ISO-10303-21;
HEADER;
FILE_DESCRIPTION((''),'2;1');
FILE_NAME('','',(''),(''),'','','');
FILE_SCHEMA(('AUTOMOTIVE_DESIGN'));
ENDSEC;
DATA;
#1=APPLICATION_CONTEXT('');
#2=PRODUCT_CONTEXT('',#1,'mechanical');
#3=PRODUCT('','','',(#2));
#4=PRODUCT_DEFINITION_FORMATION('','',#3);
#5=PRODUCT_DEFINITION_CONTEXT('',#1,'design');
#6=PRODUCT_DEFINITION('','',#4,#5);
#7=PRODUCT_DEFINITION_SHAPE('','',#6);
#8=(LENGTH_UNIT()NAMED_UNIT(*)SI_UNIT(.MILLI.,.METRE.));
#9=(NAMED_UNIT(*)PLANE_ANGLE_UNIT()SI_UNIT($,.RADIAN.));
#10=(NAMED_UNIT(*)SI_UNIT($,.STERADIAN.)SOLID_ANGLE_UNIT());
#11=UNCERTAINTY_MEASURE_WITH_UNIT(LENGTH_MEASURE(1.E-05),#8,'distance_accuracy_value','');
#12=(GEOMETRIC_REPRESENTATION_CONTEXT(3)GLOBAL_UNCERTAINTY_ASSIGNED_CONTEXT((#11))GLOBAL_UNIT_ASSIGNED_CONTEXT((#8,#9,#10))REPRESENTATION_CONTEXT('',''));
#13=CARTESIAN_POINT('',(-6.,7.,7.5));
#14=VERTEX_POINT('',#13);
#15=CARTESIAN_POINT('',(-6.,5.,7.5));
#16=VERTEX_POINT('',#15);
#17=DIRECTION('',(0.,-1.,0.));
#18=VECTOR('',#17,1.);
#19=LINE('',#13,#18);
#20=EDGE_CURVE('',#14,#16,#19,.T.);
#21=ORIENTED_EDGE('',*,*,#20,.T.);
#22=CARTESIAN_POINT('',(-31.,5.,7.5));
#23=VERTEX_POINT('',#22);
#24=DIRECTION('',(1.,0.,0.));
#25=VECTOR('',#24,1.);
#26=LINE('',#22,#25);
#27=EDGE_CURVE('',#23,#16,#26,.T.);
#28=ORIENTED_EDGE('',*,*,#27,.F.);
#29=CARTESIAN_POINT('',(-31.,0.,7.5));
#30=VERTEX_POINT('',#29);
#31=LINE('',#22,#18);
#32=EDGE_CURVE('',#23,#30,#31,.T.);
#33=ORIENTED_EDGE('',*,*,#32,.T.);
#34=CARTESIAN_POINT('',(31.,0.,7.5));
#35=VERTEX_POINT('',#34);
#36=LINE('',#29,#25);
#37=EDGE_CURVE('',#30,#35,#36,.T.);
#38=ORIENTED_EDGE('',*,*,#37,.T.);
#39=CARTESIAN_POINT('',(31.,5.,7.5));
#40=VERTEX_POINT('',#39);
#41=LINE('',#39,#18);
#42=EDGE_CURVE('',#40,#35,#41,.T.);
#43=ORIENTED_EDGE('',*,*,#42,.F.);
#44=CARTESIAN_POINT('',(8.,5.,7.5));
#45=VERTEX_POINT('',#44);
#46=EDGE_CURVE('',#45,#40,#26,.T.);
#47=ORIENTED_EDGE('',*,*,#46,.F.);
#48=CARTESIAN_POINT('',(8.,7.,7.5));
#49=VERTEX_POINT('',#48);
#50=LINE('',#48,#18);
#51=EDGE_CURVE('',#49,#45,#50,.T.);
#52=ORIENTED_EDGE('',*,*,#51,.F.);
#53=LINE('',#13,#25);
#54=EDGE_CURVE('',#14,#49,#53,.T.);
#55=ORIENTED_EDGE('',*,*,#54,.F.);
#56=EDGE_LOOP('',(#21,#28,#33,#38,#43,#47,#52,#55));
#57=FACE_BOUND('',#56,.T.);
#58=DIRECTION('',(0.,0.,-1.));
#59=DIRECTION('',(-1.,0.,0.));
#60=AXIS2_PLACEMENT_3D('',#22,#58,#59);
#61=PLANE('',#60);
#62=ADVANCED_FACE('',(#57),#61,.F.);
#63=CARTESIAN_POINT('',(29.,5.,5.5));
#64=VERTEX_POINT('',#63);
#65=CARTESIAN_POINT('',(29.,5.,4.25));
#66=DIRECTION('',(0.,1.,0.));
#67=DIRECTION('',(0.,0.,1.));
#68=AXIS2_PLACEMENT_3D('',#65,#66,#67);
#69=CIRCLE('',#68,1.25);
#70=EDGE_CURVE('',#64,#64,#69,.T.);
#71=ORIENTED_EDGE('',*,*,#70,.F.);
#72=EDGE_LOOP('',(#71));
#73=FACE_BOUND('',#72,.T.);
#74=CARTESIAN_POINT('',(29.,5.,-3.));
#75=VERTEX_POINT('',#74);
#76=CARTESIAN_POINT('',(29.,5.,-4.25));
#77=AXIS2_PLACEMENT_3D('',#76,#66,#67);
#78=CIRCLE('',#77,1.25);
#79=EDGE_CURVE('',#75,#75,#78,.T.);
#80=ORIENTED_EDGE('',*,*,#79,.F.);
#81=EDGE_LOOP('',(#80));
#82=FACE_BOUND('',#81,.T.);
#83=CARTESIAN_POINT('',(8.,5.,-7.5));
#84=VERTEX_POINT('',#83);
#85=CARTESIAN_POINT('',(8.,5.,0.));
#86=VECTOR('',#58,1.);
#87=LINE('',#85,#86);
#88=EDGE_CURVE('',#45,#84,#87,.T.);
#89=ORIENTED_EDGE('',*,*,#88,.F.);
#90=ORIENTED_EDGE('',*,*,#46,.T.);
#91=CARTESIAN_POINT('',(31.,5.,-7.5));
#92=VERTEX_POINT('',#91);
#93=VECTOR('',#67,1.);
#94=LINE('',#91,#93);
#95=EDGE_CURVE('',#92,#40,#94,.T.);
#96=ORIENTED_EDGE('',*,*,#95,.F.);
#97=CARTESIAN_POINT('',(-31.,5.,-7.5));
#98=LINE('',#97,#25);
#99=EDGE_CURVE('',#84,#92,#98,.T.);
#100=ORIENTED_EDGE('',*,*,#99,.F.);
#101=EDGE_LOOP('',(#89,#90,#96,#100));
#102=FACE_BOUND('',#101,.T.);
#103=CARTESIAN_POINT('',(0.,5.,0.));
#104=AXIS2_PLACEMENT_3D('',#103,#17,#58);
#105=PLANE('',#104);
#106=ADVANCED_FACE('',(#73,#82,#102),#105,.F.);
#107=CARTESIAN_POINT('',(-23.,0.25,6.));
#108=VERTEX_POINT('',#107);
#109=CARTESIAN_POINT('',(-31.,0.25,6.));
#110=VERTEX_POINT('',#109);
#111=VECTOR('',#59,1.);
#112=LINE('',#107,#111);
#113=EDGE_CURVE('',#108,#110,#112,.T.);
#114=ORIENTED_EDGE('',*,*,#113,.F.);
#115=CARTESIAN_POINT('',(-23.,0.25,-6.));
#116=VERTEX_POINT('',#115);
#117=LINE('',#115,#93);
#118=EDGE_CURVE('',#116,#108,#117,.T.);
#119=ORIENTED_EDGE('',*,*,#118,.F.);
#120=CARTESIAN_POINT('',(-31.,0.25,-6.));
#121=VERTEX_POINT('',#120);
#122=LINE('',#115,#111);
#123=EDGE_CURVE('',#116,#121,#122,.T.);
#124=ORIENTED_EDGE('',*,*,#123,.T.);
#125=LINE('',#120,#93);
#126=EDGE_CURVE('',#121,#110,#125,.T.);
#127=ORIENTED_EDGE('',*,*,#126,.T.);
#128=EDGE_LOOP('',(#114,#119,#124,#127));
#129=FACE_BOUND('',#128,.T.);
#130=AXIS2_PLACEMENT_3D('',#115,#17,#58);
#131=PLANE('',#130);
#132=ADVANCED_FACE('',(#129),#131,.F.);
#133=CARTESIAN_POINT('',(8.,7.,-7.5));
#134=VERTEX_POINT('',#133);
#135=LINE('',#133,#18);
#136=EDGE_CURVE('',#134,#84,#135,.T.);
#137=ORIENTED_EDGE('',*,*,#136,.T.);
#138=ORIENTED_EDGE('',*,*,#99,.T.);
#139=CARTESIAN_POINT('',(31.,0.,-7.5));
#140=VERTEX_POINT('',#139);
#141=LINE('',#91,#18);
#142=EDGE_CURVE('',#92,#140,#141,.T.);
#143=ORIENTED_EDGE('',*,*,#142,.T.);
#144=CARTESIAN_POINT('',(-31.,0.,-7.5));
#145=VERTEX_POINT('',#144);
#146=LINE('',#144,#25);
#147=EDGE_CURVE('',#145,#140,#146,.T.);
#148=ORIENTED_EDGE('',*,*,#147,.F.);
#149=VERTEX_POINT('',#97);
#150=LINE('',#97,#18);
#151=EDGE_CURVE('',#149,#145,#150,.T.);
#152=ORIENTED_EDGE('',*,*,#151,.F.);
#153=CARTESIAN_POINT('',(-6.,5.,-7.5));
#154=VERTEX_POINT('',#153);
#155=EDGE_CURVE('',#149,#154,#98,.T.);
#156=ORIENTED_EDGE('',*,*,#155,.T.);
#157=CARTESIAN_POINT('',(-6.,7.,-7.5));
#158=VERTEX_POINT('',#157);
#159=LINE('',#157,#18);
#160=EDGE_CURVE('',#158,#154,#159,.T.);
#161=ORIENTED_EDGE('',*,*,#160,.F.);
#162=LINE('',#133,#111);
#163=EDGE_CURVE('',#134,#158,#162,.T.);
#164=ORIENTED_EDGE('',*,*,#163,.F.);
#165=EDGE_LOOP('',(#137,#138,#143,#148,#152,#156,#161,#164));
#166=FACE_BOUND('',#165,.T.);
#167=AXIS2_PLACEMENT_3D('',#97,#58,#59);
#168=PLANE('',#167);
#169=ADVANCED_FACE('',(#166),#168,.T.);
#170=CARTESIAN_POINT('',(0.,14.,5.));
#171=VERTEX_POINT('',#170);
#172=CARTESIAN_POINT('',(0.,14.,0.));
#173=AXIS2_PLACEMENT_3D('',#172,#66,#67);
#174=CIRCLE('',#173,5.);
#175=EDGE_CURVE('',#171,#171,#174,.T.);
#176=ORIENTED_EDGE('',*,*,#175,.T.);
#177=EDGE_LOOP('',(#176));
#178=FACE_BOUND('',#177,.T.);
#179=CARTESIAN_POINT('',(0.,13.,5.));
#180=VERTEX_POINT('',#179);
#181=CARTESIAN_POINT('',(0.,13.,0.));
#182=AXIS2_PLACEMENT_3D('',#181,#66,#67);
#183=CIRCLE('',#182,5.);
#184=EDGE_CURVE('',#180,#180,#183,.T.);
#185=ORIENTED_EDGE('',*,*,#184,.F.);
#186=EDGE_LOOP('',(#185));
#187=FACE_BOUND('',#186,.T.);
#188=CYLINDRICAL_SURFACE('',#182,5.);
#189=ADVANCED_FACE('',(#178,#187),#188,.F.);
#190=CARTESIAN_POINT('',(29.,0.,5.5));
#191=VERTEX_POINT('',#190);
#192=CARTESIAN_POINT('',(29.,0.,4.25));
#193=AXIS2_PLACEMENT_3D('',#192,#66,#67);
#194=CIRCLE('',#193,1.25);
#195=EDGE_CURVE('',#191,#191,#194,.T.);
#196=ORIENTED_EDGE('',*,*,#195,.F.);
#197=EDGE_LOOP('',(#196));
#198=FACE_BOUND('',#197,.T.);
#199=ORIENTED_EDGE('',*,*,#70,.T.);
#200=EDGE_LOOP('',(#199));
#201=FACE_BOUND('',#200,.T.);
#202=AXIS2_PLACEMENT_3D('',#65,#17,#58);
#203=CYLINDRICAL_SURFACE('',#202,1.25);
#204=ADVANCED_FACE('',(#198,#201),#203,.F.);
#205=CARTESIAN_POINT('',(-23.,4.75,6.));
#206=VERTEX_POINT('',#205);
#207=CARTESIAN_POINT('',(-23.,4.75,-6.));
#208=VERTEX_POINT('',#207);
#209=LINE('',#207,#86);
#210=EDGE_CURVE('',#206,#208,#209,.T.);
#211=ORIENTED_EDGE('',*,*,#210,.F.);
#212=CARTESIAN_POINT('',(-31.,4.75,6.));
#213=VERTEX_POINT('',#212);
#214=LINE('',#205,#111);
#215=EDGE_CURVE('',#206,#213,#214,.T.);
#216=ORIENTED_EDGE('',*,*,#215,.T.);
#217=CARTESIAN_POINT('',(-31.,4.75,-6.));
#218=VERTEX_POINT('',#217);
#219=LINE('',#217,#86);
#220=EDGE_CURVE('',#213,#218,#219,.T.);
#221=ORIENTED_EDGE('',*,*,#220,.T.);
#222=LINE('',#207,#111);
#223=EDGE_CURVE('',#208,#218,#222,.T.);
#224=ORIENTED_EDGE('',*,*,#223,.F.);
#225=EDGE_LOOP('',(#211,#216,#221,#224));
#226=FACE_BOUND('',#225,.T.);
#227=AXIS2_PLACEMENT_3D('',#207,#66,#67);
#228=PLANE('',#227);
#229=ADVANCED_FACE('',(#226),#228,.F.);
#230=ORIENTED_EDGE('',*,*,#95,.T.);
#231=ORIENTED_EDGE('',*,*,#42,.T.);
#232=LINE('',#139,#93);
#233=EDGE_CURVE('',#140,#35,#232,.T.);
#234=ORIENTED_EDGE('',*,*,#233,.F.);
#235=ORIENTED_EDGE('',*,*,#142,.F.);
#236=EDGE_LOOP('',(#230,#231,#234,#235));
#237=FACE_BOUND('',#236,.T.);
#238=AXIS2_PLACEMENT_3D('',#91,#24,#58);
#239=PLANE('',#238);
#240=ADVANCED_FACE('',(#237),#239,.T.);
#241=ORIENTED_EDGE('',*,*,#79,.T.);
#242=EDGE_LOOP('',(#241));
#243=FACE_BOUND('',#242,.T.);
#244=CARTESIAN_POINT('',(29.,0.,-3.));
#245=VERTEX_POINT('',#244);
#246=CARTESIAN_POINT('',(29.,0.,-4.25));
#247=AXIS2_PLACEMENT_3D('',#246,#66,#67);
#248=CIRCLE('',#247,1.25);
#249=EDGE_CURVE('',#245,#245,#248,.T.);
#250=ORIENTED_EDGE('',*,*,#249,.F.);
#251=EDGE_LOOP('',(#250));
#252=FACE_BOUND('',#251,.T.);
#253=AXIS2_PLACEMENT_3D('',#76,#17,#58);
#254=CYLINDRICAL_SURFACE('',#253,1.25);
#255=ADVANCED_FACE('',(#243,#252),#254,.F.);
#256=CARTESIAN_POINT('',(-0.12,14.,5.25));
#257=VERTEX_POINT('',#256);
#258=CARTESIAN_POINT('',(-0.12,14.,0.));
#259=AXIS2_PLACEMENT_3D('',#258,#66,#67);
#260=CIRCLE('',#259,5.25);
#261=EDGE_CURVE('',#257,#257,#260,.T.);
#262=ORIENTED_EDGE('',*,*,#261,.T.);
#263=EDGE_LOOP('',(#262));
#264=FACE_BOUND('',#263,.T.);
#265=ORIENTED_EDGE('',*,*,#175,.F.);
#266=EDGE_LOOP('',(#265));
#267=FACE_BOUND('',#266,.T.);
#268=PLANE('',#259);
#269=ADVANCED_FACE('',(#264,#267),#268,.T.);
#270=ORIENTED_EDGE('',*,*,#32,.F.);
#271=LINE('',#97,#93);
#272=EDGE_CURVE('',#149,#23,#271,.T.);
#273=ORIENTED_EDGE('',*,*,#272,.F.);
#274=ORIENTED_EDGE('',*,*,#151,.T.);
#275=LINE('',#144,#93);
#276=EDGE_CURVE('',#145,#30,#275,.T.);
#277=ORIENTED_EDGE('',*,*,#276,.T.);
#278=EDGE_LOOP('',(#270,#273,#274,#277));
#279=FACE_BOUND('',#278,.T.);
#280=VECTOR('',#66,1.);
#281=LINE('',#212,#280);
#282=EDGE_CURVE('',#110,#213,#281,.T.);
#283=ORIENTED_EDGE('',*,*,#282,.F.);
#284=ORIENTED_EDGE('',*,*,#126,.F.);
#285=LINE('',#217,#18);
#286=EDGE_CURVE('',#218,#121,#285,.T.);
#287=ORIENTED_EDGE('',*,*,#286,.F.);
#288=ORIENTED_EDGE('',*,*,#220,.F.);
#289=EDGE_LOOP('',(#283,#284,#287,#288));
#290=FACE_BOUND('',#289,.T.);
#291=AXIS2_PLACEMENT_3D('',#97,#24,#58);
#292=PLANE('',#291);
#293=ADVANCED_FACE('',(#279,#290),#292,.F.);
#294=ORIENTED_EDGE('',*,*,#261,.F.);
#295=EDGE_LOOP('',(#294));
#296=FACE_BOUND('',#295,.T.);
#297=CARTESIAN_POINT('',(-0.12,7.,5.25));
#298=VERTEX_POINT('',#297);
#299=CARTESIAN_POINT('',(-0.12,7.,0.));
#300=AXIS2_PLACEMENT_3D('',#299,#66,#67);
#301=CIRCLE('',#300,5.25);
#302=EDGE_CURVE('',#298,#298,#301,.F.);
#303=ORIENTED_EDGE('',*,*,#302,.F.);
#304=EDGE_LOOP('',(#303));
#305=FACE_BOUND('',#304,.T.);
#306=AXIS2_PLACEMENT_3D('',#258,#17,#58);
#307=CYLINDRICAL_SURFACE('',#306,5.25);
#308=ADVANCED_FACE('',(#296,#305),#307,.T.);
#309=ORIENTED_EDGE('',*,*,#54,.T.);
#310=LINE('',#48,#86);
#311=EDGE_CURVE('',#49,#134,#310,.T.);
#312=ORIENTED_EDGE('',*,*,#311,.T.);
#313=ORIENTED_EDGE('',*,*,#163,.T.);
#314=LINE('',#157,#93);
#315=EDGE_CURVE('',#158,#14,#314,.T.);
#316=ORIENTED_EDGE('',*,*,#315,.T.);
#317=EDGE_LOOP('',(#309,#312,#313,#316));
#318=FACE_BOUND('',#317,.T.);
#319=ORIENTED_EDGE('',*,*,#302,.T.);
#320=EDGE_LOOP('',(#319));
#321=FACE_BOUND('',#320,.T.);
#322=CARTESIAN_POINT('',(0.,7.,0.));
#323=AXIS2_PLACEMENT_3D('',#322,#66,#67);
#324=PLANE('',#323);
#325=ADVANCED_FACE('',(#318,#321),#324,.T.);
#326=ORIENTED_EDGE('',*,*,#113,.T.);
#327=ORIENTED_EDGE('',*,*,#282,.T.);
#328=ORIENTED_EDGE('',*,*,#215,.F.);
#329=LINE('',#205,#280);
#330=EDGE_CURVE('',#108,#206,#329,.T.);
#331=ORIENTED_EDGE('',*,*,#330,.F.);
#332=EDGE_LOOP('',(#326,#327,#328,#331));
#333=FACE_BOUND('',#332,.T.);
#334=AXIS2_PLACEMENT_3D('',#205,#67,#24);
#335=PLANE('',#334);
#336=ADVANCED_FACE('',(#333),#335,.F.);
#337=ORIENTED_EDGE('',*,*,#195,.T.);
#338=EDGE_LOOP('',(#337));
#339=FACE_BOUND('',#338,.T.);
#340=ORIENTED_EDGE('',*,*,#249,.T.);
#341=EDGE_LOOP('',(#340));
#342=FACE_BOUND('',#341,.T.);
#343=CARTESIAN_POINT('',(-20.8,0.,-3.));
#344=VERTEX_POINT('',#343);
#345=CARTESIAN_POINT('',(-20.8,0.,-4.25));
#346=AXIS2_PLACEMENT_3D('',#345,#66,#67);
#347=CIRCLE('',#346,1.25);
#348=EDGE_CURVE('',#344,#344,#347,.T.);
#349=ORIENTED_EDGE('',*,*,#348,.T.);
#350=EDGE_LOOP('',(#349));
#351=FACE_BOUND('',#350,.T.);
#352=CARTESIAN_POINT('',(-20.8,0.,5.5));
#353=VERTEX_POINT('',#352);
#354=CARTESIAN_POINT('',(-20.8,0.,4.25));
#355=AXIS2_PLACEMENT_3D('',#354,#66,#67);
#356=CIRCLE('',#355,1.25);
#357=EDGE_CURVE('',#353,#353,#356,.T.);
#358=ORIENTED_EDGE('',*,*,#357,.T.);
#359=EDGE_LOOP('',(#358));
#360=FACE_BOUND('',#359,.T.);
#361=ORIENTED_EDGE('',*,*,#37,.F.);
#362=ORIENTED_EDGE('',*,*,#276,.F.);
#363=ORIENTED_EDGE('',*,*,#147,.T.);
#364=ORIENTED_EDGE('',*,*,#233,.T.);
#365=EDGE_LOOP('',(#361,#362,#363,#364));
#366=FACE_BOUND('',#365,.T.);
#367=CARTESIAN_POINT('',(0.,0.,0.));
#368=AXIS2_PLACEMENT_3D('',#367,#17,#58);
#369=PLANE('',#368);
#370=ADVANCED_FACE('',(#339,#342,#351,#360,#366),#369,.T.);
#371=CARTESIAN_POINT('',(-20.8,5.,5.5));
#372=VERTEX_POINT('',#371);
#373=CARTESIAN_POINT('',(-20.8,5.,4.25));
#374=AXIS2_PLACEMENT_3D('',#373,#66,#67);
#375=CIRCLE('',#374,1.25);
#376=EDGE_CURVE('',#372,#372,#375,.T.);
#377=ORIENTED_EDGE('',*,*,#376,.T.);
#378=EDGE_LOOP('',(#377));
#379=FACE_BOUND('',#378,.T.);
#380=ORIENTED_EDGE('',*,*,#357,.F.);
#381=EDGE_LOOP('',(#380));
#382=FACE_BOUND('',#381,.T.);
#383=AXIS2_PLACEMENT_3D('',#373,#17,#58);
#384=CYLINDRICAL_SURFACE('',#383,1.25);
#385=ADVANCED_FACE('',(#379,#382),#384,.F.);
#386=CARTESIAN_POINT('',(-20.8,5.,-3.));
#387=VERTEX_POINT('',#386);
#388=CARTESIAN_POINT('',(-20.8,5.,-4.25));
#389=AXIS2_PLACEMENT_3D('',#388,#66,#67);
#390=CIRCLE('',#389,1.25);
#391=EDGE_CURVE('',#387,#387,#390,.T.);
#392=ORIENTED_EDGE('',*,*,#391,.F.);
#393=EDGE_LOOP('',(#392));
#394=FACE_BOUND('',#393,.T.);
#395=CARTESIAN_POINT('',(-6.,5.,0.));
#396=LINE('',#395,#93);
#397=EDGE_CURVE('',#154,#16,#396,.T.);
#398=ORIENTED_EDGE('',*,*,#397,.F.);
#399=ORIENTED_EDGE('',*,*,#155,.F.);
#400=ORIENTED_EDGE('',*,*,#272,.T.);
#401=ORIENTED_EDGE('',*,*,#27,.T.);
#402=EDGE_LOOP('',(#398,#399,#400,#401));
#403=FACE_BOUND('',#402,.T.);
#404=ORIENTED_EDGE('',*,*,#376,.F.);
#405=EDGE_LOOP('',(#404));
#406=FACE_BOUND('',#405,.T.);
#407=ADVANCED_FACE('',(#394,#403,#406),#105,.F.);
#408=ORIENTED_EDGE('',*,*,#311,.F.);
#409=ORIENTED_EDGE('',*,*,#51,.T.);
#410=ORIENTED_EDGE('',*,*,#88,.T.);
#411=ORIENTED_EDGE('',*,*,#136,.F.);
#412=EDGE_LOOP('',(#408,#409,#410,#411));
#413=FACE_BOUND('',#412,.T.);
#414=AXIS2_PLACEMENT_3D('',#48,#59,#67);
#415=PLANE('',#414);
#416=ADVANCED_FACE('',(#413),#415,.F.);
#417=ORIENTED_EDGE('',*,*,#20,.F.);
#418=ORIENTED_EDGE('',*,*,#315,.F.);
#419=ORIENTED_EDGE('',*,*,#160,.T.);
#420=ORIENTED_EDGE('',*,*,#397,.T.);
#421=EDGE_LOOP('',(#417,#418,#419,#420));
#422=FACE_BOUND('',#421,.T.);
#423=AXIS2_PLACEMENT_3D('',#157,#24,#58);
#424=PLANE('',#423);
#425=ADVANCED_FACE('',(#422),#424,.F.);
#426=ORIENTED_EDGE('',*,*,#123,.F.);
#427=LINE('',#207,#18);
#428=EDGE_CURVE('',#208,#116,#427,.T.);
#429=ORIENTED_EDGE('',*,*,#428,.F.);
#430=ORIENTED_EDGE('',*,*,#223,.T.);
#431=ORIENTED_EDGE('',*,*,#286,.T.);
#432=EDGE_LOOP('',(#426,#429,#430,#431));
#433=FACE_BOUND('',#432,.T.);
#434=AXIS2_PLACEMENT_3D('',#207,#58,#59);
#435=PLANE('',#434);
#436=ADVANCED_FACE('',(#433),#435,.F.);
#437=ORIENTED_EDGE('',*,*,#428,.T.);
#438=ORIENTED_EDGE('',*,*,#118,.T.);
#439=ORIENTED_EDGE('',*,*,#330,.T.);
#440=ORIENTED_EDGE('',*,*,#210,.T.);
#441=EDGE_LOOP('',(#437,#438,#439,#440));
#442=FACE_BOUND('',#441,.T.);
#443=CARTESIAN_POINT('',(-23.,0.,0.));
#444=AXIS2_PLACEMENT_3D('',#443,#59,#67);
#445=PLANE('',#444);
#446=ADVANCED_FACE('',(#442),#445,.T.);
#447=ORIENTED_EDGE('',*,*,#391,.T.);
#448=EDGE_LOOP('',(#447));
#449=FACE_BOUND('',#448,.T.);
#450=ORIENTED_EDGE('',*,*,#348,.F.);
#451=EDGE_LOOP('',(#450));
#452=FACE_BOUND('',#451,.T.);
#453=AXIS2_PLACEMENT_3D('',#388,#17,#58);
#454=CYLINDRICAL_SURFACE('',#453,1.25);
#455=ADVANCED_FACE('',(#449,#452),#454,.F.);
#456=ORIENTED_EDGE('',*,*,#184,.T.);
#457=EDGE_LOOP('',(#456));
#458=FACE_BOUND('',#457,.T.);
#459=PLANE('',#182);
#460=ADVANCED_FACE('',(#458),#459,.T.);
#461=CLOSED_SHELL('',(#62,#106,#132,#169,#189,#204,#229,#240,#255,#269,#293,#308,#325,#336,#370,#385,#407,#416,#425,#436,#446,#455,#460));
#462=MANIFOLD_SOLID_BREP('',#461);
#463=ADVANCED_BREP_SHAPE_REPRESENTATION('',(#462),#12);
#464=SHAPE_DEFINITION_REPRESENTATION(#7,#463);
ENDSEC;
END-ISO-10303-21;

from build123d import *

# Parameters (mm, degrees)
SKETCH1_W           = 62
SKETCH1_H           = 15
SKETCH1_R           = 5.25
BOSS_EXTRUDE1_DEPTH = 5
SKETCH1_7_R         = 1.25
CUT_EXTRUDE1_DEPTH  = 5
SKETCH1_8_W         = 14
SKETCH1_8_H         = 15
BOSS_EXTRUDE2_DEPTH = 7
SKETCH1_9_R         = 5.25
BOSS_EXTRUDE3_DEPTH = 14
SKETCH2_R           = 5
CUT_EXTRUDE2_DEPTH  = 1
SKETCH3_W           = 12
SKETCH3_H           = 4.5
CUT_EXTRUDE4_DEPTH  = 8


with BuildPart() as part:
    # Sketch1 → Boss-Extrude1 (new body)
    with BuildSketch(Plane(origin=(0, 0, 0), x_dir=(1, 0, 0), z_dir=(0, 1, 0))):
        Rectangle(SKETCH1_W, SKETCH1_H)
        with Locations((-0.12, 0)):
            Circle(SKETCH1_R, mode=Mode.SUBTRACT)
    extrude(amount=BOSS_EXTRUDE1_DEPTH)

    # Sketch1<7> → Cut-Extrude1 (cut)
    with BuildSketch(Plane(origin=(0, 0, 0), x_dir=(1, 0, 0), z_dir=(0, 1, 0))):
        with Locations((29, 4.25)):
            Circle(SKETCH1_7_R)
        with Locations((29, -4.25)):
            Circle(SKETCH1_7_R)
        with Locations((-20.8, 4.25)):
            Circle(SKETCH1_7_R)
        with Locations((-20.8, -4.25)):
            Circle(SKETCH1_7_R)
    extrude(amount=CUT_EXTRUDE1_DEPTH, mode=Mode.SUBTRACT)

    # Sketch1<8> → Boss-Extrude2 (add)
    with BuildSketch(Plane(origin=(0, 0, 0), x_dir=(1, 0, 0), z_dir=(0, 1, 0))):
        with Locations((1, 0)):
            Rectangle(SKETCH1_8_W, SKETCH1_8_H)
    extrude(amount=BOSS_EXTRUDE2_DEPTH)

    # Sketch1<9> → Boss-Extrude3 (add)
    with BuildSketch(Plane(origin=(0, 0, 0), x_dir=(1, 0, 0), z_dir=(0, 1, 0))):
        with Locations((-0.12, 0)):
            Circle(SKETCH1_9_R)
    extrude(amount=BOSS_EXTRUDE3_DEPTH)

    # Sketch2 → Cut-Extrude2 (cut)
    with BuildSketch(Plane(origin=(0, 14, 0), x_dir=(1, 0, 0), z_dir=(0, 1, 0))):
        Circle(SKETCH2_R)
    extrude(amount=-CUT_EXTRUDE2_DEPTH, mode=Mode.SUBTRACT)

    # Sketch3 → Cut-Extrude4 (cut)
    with BuildSketch(Plane.ZY.offset(31)):
        with Locations((0, 2.5)):
            Rectangle(SKETCH3_W, SKETCH3_H)
    extrude(amount=-CUT_EXTRUDE4_DEPTH, mode=Mode.SUBTRACT)


solid = part.part
